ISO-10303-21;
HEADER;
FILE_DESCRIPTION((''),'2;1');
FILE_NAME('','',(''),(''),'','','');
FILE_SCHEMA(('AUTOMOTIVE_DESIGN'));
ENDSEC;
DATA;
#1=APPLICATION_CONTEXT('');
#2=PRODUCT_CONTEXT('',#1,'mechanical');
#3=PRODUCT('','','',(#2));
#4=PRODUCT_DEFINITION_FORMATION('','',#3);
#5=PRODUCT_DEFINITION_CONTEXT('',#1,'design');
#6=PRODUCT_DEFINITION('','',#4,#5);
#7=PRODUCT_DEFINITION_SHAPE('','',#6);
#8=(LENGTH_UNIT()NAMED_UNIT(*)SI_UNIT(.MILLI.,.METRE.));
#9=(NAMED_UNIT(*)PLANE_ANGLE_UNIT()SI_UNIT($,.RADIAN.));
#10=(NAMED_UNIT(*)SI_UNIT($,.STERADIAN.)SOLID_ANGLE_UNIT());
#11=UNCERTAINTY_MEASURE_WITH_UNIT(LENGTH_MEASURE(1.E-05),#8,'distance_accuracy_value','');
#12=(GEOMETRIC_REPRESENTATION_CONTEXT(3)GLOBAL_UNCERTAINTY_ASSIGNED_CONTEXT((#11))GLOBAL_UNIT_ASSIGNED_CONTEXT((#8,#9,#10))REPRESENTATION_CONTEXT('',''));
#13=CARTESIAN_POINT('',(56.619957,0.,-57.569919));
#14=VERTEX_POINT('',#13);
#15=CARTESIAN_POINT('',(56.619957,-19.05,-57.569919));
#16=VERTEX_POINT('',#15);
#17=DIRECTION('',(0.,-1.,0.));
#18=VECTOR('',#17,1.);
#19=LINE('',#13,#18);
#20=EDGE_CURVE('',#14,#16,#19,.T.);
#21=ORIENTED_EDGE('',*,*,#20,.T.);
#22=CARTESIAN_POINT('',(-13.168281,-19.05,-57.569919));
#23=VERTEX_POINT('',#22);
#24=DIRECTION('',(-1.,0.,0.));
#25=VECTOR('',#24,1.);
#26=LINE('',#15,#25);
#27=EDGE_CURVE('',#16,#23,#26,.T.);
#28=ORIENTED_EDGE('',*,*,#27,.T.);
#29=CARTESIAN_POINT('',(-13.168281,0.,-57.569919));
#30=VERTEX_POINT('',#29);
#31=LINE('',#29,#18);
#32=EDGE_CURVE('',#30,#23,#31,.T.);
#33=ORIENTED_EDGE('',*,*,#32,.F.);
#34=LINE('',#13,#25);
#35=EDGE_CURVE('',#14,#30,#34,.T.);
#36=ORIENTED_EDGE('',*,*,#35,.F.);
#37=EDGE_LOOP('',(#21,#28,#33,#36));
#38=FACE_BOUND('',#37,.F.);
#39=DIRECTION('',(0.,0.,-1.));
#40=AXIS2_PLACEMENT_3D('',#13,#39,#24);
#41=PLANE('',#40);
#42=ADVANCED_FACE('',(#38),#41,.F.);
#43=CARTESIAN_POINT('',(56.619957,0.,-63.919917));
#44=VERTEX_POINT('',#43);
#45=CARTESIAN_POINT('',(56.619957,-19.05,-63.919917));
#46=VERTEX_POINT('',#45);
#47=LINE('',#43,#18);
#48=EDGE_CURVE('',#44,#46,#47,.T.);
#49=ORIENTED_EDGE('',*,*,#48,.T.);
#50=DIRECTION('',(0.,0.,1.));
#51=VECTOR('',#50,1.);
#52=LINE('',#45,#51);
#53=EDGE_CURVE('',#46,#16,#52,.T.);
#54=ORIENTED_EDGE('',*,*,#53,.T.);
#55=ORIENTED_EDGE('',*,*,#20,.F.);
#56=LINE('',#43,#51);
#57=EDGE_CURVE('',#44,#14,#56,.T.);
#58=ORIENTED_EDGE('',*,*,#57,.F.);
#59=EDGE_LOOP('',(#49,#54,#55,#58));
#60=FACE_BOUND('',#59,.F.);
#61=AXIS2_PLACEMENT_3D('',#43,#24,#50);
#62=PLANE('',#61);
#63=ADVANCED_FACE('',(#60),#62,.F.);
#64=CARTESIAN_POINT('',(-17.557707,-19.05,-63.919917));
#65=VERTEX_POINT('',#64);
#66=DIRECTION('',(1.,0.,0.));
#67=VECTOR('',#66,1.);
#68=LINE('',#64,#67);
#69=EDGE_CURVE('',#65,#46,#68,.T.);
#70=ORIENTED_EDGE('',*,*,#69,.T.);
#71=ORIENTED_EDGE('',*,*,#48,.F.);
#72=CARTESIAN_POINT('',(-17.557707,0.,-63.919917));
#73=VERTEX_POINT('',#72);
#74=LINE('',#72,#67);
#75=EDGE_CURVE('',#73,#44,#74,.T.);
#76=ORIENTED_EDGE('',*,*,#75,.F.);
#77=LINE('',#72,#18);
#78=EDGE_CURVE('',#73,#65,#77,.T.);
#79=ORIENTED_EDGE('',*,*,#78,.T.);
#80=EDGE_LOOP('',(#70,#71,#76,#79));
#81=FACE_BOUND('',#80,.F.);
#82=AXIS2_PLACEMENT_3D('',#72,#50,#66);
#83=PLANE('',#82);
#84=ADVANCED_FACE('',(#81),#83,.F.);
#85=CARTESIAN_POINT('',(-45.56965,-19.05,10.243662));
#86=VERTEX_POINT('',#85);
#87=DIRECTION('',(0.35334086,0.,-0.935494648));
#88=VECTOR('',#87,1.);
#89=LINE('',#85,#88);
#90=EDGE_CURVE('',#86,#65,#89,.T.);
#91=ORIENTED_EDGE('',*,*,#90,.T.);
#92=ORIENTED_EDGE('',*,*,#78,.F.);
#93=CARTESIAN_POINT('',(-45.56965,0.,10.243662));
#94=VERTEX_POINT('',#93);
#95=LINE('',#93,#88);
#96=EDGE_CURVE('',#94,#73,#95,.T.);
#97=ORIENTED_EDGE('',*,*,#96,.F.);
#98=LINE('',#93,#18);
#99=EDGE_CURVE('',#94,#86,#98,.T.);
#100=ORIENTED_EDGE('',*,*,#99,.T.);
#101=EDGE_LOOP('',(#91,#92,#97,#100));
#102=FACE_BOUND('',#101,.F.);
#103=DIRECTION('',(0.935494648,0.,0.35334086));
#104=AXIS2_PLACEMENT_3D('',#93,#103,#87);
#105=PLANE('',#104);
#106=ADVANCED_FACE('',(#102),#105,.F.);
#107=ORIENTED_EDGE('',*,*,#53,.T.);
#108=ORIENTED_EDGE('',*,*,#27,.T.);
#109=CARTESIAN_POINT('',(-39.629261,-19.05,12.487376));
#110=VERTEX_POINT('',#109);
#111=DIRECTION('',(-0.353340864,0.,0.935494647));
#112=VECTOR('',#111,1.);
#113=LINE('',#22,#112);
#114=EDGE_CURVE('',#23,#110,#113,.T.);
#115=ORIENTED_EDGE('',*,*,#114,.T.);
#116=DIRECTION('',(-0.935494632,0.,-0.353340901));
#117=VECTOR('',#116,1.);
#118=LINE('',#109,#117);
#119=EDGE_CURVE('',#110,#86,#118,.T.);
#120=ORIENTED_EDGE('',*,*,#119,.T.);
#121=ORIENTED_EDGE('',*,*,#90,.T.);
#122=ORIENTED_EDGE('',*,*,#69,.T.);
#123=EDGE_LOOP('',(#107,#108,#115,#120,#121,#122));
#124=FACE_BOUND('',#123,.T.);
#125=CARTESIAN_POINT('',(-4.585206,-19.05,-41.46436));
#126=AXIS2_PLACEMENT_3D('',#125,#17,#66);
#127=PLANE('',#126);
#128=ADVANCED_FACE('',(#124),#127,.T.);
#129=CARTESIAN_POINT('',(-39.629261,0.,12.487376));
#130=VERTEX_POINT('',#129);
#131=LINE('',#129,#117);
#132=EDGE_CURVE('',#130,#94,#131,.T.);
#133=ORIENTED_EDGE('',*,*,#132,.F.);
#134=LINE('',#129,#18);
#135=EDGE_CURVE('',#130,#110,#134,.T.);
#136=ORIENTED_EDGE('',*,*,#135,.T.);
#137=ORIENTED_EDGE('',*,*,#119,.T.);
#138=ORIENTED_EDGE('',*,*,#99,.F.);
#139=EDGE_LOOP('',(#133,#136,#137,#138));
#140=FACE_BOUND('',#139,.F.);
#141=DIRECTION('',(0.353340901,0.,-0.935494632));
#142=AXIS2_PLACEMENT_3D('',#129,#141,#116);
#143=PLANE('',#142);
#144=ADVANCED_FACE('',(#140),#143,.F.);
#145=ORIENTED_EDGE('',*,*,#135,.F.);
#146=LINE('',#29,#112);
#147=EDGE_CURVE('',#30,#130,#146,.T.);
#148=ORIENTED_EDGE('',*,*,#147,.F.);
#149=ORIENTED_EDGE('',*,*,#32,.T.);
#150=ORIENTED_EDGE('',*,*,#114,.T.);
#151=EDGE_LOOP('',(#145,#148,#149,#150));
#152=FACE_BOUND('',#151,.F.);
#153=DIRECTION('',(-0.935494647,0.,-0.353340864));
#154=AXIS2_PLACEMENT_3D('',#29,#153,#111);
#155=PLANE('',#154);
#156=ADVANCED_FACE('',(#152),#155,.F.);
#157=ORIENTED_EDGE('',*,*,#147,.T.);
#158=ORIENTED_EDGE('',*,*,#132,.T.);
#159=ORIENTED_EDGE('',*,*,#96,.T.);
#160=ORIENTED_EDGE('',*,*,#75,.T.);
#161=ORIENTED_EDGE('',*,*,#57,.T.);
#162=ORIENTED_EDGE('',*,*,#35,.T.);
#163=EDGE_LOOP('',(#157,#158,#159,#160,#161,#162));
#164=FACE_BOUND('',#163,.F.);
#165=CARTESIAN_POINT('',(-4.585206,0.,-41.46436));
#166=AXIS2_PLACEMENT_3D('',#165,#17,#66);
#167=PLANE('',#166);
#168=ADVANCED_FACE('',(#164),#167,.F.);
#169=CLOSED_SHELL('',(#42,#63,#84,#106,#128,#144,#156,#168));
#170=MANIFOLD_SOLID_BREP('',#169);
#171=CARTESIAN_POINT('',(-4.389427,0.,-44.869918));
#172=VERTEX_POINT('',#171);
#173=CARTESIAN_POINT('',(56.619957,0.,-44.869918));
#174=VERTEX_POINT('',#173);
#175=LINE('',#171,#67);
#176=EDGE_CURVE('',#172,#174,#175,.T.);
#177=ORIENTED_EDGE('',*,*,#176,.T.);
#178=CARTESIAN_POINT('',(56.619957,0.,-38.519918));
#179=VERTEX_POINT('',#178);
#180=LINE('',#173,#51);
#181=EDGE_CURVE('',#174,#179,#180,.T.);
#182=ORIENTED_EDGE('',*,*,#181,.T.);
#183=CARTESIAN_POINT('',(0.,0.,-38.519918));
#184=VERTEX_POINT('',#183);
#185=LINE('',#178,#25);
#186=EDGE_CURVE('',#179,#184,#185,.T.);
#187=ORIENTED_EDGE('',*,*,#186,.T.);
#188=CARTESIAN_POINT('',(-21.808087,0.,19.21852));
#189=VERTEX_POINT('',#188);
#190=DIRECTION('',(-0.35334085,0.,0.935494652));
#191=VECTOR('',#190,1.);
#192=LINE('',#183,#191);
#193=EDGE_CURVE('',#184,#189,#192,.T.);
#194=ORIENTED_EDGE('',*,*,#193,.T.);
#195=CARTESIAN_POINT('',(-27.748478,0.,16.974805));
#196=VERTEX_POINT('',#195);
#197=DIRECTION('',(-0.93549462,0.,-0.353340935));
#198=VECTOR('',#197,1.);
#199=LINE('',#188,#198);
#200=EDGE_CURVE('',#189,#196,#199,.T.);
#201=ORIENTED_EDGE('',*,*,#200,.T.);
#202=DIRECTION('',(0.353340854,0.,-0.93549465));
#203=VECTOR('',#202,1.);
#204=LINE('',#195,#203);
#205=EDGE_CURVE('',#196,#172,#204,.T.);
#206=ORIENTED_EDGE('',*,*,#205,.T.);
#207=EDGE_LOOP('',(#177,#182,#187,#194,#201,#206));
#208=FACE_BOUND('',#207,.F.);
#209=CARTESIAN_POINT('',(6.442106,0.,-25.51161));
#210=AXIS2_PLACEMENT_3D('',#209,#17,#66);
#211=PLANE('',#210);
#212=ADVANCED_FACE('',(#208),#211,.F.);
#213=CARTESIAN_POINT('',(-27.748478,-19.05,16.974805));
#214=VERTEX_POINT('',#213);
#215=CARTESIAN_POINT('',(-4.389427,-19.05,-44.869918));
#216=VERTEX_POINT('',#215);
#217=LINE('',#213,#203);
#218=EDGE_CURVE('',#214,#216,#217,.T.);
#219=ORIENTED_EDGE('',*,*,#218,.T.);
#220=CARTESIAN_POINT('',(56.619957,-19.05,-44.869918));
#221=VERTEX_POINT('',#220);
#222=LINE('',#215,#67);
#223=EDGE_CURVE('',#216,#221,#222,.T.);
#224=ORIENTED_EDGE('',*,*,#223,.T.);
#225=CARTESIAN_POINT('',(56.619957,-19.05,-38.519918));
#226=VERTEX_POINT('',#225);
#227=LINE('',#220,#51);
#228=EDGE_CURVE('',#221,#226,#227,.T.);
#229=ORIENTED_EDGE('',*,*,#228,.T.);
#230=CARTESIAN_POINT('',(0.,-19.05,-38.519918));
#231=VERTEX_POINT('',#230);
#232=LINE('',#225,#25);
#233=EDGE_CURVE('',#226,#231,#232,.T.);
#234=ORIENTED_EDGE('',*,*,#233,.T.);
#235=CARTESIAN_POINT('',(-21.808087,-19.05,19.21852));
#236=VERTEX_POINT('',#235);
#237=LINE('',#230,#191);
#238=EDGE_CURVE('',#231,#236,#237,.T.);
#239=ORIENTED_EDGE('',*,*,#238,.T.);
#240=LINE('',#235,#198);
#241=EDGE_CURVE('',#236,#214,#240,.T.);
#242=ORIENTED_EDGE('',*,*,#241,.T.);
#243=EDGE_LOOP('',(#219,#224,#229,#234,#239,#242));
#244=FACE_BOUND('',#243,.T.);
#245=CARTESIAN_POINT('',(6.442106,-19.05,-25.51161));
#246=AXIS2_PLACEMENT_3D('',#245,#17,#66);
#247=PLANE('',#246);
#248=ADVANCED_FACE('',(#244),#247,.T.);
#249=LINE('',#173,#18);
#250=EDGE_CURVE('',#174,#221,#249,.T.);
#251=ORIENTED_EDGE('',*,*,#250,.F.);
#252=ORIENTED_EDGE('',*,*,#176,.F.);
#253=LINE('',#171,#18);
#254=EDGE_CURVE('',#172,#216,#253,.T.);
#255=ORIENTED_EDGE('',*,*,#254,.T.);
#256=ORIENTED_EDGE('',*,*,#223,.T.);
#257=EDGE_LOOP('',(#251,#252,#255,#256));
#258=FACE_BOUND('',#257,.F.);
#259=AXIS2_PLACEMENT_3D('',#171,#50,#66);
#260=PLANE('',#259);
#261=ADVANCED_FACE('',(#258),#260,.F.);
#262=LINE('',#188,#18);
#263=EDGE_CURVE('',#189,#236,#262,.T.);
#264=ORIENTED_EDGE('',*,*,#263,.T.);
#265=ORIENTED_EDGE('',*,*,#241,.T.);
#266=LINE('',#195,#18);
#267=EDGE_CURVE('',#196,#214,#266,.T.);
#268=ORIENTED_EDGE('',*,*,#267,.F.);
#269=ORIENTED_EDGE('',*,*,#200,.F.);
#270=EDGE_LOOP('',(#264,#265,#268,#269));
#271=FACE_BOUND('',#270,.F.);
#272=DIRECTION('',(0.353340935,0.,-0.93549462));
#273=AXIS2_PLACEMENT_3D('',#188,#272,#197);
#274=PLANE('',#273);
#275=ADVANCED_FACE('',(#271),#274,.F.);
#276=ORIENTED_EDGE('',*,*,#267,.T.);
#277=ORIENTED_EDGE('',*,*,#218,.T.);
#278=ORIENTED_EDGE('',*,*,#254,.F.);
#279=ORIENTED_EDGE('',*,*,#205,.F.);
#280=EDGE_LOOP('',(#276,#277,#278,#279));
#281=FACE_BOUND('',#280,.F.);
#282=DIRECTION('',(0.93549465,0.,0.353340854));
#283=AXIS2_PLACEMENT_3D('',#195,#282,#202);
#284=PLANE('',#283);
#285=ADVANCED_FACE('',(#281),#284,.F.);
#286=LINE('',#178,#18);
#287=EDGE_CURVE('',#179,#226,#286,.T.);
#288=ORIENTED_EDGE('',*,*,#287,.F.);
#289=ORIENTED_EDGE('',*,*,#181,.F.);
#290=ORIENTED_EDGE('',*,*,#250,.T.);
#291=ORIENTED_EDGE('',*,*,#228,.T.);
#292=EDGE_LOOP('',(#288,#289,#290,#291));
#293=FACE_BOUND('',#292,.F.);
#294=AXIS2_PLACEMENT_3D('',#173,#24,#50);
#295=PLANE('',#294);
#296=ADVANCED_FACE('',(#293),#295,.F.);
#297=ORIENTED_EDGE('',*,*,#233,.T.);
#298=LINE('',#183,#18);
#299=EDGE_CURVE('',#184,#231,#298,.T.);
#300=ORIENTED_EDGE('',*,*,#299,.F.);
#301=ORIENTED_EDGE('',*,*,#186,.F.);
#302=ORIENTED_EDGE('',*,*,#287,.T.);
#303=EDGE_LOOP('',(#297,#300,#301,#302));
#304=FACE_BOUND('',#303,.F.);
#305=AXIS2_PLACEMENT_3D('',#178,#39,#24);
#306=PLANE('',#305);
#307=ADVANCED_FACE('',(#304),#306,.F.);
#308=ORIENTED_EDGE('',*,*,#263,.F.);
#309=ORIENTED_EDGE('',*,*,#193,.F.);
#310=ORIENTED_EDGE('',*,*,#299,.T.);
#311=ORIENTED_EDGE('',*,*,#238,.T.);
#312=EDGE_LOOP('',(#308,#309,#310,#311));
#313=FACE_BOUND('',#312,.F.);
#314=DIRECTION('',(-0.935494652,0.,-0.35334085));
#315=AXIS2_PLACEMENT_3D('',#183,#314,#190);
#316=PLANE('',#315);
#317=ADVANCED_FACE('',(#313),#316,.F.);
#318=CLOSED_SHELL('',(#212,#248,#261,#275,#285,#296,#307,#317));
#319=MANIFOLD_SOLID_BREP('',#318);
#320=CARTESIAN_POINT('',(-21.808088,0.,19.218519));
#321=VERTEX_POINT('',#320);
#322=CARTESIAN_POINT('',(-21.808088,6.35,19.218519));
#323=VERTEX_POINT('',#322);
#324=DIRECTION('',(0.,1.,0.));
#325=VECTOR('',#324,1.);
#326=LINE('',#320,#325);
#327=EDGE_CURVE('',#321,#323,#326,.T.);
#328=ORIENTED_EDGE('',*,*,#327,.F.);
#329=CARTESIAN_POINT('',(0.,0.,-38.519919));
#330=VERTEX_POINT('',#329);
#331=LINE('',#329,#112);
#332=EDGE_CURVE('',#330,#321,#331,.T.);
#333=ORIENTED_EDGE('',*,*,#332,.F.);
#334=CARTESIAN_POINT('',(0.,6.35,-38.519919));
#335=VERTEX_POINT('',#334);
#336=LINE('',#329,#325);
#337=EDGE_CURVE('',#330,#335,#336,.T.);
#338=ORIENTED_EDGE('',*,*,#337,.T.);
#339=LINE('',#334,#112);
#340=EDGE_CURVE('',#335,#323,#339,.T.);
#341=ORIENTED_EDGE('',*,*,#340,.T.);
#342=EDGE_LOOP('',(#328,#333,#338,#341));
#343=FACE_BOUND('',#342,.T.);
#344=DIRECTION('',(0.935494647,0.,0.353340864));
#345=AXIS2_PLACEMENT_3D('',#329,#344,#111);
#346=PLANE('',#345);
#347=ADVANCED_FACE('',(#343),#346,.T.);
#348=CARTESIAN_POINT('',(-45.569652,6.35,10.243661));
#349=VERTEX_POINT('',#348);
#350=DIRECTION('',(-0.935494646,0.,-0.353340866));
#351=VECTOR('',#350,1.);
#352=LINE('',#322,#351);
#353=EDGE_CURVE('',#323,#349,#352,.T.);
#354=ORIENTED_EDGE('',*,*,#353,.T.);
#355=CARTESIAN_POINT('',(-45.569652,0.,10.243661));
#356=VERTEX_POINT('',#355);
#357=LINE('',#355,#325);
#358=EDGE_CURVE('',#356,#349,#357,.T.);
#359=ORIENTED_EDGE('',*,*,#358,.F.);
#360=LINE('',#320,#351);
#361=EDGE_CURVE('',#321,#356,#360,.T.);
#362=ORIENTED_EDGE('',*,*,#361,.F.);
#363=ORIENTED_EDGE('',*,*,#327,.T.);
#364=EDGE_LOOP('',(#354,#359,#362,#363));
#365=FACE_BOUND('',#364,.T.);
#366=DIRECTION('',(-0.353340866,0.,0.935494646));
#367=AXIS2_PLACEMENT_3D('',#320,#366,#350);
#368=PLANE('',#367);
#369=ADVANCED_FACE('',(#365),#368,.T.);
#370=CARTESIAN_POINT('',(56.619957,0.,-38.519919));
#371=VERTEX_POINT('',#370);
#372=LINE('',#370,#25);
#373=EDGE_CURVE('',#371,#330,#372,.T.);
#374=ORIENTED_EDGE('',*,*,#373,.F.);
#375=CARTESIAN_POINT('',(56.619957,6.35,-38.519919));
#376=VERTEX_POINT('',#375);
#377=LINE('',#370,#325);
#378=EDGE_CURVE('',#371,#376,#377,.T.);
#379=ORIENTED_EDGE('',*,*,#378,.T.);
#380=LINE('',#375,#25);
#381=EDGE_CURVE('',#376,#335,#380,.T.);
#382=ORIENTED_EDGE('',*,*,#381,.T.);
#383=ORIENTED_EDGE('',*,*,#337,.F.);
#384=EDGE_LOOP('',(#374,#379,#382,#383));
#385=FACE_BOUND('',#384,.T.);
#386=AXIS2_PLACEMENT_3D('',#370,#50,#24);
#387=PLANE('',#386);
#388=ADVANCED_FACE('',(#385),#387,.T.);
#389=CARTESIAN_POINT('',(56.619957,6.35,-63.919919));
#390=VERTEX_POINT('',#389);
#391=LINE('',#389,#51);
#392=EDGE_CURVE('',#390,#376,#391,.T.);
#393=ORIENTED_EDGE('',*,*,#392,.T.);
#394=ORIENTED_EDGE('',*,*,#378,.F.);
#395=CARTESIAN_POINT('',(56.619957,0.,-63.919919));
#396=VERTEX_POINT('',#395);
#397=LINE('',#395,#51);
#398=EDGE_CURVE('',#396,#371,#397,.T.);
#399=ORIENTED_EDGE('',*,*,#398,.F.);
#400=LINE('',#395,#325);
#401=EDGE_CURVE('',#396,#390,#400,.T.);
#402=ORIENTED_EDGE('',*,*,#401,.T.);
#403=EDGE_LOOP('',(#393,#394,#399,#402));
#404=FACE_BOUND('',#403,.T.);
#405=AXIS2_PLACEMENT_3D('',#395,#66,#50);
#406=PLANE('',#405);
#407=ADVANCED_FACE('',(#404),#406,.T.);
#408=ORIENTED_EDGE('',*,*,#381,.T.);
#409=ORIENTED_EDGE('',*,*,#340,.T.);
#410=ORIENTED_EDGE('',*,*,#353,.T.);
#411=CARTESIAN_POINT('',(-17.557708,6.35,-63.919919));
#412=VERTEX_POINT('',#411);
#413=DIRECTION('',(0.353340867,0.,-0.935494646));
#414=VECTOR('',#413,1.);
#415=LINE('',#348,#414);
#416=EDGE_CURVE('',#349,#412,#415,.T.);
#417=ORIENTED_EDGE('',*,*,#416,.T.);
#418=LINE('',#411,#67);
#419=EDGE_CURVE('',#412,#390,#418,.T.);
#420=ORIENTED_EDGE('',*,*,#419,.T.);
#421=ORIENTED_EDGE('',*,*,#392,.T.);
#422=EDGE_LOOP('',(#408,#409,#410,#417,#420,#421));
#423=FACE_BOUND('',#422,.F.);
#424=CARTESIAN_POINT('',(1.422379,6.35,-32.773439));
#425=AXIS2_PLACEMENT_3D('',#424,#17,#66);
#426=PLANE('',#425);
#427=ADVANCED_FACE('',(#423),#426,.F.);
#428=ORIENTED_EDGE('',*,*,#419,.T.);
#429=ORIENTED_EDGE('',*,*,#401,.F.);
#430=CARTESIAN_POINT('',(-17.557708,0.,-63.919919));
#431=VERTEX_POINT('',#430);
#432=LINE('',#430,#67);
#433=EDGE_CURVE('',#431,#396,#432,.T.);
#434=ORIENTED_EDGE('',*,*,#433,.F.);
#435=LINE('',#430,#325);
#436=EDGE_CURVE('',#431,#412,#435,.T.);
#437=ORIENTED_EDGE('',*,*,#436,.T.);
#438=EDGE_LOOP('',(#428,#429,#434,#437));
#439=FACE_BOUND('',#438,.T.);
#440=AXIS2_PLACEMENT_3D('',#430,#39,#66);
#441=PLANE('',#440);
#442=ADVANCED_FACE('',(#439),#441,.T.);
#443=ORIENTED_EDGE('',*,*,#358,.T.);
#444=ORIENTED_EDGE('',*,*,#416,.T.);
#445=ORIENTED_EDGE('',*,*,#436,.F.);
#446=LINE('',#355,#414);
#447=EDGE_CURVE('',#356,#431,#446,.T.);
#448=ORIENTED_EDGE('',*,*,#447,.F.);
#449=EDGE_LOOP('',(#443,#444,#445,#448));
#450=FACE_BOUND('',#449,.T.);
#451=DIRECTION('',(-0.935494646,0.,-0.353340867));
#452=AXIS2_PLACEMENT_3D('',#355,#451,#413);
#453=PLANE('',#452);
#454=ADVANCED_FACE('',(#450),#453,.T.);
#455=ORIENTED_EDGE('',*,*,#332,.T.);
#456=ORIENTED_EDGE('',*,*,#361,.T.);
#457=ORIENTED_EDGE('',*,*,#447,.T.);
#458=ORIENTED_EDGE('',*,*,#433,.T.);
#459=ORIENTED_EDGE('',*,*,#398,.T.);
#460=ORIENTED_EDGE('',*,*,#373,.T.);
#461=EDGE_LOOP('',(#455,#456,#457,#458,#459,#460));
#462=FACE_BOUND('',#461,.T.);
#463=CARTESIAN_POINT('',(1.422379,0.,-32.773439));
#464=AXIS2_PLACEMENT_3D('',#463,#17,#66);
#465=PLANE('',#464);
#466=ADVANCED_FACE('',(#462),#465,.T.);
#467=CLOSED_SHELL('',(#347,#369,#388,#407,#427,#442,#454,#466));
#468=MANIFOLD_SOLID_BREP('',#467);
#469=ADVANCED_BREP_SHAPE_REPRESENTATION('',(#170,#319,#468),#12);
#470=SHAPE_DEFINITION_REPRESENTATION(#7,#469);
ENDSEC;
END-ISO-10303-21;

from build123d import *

# Parameters (mm, degrees)
F2_DEPTH = 19.05
F4_DEPTH = 19.05
F5_DEPTH = 6.35


with BuildPart() as f2:
    # F1 (on Front) → F2 (new body)
    with BuildSketch(Plane.XZ):
        Polygon((-27.748478, 16.974805), (-4.389427, -44.869918), (56.619957, -44.869918), (56.619957, -38.519918), (0, -38.519918), (-21.808087, 19.21852), align=None)
    extrude(amount=F2_DEPTH)


with BuildPart() as f4:
    # F3 (on Front) → F4 (new body)
    with BuildSketch(Plane.XZ):
        Polygon((56.619957, -57.569919), (-13.168281, -57.569919), (-39.629261, 12.487376), (-45.56965, 10.243662), (-17.557707, -63.919917), (56.619957, -63.919917), align=None)
    extrude(amount=F4_DEPTH)


with BuildPart() as f5:
    # F0 (on Front) → F5 (new body)
    with BuildSketch(Plane.XZ):
        Polygon((0, -38.519919), (-21.808088, 19.218519), (-45.569652, 10.243661), (-17.557708, -63.919919), (56.619957, -63.919919), (56.619957, -38.519919), align=None)
    extrude(amount=-F5_DEPTH)


solid = Compound([f2.part, f4.part, f5.part])
